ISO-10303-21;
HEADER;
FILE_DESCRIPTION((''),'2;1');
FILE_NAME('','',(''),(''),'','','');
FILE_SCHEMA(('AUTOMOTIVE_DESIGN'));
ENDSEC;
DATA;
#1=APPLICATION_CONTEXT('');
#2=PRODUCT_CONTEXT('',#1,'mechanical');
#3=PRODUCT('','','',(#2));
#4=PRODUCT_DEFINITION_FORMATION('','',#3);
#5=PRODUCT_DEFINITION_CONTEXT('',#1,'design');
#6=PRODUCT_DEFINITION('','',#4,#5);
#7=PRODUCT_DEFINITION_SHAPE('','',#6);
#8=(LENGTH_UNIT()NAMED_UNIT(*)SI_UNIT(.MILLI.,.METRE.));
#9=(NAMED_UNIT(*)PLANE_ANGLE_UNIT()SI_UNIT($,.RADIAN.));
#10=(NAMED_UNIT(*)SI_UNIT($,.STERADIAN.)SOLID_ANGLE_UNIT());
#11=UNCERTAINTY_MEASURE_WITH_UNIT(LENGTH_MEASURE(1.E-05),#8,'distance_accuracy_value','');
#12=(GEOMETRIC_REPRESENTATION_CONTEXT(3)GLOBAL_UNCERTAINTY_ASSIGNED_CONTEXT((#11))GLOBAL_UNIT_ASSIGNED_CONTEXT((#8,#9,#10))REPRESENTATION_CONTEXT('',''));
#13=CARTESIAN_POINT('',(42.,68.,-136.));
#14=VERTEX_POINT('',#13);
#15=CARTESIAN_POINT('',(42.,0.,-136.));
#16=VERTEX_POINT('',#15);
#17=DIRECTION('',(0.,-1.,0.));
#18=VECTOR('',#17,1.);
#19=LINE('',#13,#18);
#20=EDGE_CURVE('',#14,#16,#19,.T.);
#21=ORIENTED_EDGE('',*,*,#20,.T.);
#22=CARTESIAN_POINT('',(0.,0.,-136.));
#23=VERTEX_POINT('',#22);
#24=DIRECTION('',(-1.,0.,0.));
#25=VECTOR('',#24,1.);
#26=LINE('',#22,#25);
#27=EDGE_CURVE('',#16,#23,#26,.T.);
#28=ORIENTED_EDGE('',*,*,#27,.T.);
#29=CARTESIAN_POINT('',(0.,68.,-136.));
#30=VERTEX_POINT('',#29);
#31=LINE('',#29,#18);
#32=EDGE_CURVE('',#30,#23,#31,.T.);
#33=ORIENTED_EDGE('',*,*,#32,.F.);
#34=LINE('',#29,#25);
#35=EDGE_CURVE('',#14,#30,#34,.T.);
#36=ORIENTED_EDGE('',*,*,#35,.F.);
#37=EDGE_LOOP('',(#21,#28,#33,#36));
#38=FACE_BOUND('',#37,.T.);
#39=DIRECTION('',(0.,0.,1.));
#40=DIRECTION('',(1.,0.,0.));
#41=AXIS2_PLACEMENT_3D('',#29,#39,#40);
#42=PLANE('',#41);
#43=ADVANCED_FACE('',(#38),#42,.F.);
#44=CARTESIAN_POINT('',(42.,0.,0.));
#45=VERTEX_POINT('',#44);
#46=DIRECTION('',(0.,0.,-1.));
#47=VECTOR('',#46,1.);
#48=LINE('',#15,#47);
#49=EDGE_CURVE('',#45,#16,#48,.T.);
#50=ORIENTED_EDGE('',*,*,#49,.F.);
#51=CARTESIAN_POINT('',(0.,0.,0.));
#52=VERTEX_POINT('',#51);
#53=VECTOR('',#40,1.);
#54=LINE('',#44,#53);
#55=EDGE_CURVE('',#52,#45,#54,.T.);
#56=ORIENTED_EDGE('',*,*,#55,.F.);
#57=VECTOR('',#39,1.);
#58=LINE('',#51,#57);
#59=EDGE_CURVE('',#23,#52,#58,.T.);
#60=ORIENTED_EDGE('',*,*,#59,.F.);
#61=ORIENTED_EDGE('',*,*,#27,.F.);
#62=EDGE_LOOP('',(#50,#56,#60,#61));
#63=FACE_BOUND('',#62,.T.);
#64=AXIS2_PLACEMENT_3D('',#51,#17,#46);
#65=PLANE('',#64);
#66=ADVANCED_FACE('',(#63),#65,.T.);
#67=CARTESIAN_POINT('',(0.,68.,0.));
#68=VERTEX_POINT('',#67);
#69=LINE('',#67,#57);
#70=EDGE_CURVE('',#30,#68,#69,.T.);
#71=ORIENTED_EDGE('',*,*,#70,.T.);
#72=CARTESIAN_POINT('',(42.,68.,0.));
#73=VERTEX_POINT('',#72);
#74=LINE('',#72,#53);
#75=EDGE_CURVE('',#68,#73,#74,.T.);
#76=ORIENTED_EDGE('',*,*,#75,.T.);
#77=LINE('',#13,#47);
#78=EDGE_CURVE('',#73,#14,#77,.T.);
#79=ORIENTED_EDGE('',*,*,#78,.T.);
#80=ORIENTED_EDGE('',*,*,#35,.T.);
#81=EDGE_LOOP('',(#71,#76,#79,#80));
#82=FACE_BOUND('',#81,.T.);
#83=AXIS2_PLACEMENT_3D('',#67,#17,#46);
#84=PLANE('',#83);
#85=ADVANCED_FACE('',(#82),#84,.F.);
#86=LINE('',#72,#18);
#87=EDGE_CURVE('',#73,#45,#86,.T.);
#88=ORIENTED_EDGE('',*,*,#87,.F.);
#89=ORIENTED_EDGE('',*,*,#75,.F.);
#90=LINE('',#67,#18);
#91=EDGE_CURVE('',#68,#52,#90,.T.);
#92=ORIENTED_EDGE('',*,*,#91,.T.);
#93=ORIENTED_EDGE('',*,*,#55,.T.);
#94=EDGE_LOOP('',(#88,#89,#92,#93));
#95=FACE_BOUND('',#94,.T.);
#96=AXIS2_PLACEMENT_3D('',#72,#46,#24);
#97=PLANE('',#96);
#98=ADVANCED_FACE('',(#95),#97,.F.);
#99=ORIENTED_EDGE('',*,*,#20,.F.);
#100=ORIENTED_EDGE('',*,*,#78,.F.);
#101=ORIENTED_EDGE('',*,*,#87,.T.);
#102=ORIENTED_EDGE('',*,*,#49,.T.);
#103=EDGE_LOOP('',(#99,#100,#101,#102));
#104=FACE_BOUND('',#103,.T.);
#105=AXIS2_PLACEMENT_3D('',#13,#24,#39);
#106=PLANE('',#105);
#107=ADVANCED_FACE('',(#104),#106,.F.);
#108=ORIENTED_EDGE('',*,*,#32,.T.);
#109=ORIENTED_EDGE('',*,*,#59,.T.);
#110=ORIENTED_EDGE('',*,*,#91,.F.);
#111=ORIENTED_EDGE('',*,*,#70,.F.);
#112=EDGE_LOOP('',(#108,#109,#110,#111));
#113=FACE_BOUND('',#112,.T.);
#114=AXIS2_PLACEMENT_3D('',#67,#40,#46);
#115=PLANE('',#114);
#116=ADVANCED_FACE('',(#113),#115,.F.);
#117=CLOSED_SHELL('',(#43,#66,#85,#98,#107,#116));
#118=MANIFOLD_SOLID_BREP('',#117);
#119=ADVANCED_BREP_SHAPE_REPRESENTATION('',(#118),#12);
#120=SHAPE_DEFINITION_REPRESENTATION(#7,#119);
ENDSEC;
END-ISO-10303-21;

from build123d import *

# Parameters (mm, degrees)
SZKIC1_W                    = 42
SZKIC1_H                    = 136
DODANIE_WYCI_GNI_CIE1_DEPTH = 68


with BuildPart() as part:
    # Szkic1 → Dodanie-wyciągnięcie1 (new body)
    with BuildSketch(Plane(origin=(0, 0, 0), x_dir=(1, 0, 0), z_dir=(0, 1, 0))):
        with Locations((21, 68)):
            Rectangle(SZKIC1_W, SZKIC1_H)
    extrude(amount=DODANIE_WYCI_GNI_CIE1_DEPTH)


solid = part.part
